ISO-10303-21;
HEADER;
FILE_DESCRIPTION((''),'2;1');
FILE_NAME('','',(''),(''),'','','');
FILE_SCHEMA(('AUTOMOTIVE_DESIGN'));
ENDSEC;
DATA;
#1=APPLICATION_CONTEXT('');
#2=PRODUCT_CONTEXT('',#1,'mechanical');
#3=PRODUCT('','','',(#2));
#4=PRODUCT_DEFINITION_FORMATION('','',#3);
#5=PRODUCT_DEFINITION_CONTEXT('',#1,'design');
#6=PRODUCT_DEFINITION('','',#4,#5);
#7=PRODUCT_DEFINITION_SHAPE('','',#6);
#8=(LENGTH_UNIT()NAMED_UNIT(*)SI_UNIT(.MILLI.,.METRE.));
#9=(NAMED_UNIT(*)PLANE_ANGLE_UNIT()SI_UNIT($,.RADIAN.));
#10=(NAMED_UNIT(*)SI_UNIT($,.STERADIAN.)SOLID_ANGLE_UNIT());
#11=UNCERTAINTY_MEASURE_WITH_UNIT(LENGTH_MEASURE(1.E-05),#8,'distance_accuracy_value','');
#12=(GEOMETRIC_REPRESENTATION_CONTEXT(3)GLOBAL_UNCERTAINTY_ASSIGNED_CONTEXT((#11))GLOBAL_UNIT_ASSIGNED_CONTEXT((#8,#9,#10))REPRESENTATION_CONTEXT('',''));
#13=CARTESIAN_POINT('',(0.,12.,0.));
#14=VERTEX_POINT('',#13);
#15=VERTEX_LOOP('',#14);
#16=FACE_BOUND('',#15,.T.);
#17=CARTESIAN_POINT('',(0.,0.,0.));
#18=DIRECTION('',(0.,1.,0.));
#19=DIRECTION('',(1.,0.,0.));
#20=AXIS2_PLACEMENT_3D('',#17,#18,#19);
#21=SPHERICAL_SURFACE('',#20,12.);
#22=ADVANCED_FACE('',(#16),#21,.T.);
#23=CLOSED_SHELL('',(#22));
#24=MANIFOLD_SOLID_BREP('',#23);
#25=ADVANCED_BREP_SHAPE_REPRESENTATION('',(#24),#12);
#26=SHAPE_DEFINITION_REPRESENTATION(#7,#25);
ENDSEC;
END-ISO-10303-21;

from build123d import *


with BuildPart() as part:
    # Esquisse1 → Révolution4 (revolve)
    with BuildSketch(Plane.XY):
        with BuildLine():
            Line((0, 12), (0, -12))
            ThreePointArc((0, -12), (-12, 0), (0, 12))
        make_face()
    revolve(axis=Axis((0, 12, 0), (0, -1, 0)))


solid = part.part
